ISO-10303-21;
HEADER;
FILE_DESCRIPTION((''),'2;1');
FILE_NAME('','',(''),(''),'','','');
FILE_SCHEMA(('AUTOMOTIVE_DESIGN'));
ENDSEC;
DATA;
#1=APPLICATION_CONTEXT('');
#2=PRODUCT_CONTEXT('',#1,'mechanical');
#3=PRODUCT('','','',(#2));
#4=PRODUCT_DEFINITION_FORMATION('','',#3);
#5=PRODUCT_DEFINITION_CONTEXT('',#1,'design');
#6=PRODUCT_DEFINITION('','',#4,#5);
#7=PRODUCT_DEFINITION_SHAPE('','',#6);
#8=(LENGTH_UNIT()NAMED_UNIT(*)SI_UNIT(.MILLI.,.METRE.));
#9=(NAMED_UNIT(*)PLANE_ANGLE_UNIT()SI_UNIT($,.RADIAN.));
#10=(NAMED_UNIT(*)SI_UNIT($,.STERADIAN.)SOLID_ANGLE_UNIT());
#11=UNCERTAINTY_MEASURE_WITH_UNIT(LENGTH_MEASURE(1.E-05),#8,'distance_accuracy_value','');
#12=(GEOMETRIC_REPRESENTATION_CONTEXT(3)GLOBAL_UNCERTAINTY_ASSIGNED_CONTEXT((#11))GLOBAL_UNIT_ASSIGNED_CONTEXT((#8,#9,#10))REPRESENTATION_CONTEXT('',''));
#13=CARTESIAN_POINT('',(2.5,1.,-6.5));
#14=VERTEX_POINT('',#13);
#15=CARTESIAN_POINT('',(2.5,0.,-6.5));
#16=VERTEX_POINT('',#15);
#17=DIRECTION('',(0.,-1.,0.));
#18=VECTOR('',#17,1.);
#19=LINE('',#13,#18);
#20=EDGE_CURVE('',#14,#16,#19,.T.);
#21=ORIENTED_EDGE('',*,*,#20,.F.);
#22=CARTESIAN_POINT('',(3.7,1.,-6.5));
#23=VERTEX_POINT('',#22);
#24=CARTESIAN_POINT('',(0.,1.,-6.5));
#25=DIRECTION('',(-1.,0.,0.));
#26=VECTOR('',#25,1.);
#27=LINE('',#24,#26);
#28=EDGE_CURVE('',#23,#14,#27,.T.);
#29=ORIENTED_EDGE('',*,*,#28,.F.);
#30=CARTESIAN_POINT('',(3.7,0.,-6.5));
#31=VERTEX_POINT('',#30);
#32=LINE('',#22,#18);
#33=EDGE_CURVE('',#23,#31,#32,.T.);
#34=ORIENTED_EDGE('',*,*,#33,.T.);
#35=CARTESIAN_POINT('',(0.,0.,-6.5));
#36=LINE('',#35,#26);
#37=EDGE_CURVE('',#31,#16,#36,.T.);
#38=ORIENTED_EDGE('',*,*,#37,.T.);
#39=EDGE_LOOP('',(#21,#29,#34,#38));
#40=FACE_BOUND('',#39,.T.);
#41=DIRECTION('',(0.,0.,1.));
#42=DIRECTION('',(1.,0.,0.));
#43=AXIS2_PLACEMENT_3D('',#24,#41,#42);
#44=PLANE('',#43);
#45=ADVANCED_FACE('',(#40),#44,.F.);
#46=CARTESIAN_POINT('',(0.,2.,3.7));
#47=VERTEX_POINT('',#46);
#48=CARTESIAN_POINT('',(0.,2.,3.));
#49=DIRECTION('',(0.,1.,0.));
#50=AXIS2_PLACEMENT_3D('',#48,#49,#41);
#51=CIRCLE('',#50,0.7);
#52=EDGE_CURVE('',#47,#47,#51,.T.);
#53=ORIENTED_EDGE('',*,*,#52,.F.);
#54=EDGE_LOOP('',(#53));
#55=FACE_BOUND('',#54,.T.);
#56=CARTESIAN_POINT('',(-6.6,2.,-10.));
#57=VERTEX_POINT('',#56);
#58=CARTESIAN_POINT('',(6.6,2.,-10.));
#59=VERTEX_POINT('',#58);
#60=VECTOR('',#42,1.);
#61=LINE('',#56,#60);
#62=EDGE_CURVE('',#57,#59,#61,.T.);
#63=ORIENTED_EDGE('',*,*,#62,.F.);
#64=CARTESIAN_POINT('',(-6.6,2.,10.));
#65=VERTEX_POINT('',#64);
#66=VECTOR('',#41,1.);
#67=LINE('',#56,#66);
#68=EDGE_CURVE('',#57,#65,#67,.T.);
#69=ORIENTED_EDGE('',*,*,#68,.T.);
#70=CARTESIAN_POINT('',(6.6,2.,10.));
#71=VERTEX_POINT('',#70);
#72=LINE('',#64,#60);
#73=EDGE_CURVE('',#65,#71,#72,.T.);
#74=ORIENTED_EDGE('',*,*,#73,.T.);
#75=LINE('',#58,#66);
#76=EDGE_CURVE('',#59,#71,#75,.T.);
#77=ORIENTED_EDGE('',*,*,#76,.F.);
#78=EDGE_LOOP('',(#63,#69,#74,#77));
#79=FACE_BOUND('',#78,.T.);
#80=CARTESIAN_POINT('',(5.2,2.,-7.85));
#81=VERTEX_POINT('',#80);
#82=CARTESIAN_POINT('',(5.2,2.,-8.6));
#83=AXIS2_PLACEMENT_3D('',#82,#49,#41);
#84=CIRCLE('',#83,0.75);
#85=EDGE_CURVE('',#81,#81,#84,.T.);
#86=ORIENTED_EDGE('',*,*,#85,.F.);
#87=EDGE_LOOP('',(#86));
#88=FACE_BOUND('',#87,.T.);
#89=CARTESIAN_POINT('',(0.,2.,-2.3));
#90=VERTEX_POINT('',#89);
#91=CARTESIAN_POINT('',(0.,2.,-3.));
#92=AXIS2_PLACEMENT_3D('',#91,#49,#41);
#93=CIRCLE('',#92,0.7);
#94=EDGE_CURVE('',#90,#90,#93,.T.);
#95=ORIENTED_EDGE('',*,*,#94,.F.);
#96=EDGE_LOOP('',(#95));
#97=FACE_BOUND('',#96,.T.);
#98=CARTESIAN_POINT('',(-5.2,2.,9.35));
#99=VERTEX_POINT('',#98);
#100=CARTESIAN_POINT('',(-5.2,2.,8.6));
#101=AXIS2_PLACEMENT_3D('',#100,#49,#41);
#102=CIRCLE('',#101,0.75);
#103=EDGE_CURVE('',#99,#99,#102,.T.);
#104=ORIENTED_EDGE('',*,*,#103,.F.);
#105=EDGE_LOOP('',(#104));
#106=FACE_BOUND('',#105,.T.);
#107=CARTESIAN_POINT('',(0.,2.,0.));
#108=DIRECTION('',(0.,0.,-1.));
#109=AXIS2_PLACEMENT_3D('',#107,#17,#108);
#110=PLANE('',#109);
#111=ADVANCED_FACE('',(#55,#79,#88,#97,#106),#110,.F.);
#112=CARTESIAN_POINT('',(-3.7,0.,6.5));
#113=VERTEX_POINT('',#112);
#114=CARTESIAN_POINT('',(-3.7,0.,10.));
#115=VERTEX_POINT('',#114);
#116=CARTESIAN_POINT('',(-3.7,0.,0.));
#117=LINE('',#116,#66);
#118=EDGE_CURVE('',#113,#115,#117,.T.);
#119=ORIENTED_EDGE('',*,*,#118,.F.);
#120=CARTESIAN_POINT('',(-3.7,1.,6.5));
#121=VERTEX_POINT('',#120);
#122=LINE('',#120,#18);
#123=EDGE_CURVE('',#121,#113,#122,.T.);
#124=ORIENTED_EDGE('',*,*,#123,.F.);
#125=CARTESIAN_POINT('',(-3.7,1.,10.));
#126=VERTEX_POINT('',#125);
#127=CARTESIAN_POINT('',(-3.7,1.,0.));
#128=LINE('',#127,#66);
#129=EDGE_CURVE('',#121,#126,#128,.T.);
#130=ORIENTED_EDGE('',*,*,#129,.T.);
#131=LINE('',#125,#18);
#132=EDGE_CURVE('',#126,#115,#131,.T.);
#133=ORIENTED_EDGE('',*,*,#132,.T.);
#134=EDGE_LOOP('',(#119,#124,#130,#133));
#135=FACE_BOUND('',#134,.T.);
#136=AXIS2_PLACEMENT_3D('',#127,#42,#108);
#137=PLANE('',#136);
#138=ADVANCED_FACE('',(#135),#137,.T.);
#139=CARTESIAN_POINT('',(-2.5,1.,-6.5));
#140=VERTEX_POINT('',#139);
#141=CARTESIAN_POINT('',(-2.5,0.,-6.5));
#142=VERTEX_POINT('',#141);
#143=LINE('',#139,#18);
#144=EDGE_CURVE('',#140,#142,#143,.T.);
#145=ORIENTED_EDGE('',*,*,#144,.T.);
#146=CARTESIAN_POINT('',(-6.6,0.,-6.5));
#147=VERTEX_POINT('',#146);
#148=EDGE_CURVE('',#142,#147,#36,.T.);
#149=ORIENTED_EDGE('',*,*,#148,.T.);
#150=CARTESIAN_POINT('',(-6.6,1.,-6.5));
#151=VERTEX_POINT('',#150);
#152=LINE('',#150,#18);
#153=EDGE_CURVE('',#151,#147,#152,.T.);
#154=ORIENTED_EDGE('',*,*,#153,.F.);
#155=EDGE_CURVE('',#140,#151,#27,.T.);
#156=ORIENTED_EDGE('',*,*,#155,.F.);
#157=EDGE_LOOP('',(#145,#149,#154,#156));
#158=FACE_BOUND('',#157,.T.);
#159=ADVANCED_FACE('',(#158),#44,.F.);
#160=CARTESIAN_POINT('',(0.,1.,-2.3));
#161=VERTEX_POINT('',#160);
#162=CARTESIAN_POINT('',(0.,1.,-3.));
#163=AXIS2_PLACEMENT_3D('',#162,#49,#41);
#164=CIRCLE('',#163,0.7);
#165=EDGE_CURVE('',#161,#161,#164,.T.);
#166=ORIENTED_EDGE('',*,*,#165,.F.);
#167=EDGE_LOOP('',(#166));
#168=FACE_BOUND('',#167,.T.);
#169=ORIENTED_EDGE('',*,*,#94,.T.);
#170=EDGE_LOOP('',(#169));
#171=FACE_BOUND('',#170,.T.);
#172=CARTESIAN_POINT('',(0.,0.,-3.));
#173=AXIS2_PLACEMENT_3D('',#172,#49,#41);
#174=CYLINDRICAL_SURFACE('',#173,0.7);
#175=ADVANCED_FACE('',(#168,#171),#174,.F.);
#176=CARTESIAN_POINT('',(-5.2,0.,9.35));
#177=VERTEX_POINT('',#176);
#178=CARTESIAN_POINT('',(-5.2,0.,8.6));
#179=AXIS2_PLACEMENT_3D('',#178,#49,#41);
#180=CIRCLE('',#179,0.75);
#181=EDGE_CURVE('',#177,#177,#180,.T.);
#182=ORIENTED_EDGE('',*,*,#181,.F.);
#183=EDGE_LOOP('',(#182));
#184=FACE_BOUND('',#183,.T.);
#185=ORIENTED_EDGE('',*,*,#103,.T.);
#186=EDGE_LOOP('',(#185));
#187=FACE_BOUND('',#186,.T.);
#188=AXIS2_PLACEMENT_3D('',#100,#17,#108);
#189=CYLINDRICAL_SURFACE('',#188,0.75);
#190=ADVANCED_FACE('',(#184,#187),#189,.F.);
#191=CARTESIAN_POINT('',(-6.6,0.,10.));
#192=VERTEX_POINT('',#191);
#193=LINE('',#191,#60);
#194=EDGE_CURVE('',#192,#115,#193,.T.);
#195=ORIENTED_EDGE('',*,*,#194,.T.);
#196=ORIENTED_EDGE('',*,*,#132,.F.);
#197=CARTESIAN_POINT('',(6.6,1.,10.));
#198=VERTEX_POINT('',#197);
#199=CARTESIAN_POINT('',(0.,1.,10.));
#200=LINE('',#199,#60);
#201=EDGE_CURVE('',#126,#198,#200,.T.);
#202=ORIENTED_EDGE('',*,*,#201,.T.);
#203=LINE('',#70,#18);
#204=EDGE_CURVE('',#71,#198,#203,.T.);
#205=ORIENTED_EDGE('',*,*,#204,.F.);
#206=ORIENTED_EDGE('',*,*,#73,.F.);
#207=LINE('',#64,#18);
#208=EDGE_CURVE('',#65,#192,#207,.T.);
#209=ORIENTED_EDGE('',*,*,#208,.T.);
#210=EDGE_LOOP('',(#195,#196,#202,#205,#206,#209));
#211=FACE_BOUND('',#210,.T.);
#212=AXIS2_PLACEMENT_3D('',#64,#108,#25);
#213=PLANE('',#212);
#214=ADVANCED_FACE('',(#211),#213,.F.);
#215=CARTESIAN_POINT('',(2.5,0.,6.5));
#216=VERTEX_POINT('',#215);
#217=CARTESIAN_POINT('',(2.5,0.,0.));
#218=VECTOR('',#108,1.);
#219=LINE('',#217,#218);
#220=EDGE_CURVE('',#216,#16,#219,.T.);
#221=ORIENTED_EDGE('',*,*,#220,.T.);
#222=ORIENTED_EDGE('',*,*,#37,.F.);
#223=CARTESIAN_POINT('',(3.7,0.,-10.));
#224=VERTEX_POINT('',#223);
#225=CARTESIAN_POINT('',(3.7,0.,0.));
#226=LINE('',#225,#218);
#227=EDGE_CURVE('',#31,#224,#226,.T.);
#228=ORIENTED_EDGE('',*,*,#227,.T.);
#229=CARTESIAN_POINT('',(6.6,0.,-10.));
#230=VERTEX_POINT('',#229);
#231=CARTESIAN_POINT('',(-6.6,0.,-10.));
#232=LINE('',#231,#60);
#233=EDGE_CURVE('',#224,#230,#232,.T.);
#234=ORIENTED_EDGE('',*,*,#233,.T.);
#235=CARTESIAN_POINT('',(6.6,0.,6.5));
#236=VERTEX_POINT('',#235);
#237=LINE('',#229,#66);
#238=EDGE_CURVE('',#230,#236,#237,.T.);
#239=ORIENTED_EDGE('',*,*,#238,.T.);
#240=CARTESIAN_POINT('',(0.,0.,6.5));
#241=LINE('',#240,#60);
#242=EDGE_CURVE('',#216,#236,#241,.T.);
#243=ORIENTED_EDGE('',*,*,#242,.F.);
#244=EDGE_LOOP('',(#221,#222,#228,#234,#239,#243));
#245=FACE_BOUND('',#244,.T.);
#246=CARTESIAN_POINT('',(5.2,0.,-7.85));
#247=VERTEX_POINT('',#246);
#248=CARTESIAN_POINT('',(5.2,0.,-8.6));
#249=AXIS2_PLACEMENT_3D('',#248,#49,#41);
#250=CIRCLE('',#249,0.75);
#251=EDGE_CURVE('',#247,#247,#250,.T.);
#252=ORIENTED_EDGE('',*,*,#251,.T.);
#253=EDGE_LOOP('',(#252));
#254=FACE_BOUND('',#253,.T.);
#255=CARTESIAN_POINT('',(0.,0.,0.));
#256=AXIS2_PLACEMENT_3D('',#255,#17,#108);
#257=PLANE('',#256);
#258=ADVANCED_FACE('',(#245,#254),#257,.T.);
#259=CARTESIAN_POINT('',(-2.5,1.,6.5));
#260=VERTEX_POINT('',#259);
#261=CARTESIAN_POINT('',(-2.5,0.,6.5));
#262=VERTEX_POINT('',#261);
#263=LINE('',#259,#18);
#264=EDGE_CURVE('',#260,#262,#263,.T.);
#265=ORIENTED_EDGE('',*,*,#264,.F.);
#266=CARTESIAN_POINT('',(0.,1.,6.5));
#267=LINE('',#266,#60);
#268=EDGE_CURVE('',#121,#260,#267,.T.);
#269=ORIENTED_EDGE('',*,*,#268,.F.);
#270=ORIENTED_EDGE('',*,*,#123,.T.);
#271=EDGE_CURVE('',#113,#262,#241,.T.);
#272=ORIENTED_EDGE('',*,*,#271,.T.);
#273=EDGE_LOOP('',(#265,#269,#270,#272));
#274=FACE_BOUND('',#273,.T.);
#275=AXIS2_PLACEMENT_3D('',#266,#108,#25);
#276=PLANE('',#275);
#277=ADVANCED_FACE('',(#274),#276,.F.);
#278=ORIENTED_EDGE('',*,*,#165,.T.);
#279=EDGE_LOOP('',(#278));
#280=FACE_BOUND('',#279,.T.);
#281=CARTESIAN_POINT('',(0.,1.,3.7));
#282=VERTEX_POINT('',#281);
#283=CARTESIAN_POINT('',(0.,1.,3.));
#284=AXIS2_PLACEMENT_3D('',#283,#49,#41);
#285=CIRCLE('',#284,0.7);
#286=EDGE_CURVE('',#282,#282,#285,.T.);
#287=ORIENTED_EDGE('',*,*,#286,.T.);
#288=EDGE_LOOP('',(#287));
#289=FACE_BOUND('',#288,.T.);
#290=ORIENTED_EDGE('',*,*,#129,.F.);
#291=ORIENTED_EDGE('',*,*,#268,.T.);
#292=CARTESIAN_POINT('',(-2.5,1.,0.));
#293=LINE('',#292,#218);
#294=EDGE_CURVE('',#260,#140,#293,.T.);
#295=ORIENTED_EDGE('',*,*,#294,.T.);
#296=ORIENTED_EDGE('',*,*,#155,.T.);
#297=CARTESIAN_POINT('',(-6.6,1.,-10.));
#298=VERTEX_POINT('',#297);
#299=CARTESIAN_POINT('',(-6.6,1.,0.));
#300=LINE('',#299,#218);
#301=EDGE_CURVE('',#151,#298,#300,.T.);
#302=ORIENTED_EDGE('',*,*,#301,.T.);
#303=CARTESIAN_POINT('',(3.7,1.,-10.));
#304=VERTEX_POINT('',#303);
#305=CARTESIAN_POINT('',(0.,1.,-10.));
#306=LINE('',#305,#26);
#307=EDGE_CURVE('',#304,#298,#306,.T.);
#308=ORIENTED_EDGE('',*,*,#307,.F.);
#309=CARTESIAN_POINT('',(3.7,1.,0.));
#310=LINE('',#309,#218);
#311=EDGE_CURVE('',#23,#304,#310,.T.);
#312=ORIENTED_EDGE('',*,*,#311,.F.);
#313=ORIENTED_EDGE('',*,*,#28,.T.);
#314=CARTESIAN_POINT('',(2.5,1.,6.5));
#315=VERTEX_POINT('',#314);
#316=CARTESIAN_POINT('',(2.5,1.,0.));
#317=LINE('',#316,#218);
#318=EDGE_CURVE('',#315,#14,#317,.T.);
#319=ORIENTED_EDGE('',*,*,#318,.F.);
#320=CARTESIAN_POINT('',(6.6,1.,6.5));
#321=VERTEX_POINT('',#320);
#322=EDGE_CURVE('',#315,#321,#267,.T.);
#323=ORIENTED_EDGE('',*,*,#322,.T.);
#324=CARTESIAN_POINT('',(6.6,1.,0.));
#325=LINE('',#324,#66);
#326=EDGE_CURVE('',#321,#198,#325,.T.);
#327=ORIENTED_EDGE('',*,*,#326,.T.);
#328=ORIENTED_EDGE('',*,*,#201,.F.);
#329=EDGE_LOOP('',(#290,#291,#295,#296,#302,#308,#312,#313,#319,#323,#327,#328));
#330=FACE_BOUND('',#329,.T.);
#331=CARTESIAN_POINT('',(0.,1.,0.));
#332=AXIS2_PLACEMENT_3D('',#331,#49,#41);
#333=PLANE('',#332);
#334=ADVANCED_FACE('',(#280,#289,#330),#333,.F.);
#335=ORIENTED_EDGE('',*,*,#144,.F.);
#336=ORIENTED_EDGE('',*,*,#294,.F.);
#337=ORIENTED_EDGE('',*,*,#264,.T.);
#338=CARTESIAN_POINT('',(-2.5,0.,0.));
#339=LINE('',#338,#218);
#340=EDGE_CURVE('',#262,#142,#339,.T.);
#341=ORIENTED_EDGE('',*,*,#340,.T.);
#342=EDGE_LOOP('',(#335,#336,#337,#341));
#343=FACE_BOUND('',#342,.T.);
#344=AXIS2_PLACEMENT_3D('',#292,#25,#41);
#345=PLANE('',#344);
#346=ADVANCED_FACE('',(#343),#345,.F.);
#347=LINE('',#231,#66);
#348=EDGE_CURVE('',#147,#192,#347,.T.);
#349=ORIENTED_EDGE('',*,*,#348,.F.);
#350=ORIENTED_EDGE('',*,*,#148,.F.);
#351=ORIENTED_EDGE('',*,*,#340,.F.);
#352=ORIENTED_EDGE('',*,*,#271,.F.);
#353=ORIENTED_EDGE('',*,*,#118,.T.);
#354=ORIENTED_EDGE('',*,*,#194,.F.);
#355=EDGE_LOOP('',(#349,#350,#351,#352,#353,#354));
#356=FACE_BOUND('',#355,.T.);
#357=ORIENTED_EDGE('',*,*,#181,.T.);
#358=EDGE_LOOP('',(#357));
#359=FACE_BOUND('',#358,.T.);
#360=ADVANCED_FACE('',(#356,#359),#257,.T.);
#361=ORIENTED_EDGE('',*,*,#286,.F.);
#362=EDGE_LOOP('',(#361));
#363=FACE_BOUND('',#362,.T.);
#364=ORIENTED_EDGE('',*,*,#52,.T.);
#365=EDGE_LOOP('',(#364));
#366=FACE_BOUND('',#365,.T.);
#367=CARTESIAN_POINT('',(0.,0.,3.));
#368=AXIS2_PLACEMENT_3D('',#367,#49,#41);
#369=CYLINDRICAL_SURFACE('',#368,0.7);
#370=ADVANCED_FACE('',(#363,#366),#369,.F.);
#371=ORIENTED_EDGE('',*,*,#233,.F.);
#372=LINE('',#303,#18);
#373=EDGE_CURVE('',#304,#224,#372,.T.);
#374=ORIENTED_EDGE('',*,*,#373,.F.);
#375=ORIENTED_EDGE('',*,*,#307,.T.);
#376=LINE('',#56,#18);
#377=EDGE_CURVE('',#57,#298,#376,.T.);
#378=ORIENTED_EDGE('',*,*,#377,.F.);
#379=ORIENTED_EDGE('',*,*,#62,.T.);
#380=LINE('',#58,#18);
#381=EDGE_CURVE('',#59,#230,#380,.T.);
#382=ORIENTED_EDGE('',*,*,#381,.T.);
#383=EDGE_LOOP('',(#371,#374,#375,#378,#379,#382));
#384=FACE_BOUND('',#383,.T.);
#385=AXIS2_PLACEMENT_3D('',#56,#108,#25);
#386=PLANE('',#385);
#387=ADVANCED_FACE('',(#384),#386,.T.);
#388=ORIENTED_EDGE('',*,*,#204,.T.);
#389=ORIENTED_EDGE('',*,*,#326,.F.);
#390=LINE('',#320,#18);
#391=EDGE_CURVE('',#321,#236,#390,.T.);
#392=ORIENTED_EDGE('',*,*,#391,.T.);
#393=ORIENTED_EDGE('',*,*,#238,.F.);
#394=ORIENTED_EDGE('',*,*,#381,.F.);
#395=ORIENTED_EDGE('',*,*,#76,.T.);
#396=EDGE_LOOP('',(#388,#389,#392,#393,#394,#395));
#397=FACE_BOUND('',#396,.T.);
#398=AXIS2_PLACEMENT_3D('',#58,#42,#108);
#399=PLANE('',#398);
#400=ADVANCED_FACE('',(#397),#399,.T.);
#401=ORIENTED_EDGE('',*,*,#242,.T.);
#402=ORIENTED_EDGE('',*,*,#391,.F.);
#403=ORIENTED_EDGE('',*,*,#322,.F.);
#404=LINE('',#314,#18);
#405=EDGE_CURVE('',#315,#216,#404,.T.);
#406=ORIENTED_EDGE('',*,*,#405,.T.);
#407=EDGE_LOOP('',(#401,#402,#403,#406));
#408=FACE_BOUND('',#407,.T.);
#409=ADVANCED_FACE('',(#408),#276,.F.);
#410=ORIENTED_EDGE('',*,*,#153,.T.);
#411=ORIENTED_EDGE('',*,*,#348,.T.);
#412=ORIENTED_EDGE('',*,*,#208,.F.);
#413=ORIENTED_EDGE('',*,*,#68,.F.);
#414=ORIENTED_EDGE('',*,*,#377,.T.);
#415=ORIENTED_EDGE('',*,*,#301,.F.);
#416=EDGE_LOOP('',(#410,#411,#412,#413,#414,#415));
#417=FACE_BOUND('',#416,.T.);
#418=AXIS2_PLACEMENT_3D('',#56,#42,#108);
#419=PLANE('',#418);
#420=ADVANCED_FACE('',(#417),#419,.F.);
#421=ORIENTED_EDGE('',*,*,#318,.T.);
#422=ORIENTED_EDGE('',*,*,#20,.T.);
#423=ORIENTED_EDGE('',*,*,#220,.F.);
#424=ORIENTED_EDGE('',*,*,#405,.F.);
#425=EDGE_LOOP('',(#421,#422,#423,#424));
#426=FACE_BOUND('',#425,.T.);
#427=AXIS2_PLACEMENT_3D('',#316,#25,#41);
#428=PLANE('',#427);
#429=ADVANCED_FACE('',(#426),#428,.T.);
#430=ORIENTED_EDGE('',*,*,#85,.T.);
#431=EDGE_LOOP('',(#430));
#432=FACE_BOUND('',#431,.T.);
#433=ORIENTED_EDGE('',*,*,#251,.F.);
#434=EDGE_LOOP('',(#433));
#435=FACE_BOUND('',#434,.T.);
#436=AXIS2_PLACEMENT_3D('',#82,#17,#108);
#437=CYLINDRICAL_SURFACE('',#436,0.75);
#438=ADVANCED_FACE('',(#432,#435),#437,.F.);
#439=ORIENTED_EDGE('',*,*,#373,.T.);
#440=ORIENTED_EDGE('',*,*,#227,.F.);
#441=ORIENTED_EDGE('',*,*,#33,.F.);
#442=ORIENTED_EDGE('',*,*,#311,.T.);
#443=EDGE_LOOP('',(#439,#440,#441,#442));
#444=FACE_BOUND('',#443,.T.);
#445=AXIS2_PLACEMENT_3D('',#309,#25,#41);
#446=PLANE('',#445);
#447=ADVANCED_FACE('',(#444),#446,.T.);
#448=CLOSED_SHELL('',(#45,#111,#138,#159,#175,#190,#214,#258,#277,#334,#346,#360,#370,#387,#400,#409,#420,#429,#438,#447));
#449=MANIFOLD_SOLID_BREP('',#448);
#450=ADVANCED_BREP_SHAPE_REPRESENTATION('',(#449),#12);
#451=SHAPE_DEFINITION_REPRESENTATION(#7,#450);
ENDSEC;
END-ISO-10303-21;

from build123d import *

# Parameters (mm, degrees)
SKETCH_1_W          = 13.2
SKETCH_1_H          = 20
EXTRUDE_1_DEPTH     = 2
SKETCH_1_3_R        = 0.75
CUT_EXTRUDE_2_DEPTH = 13.147427711
CUT_EXTRUDE_START   = -2
CUT_EXTRUDE_1_DEPTH = 1
SKETCH_2_4_R        = 0.7
CUT_EXTRUDE_3_DEPTH = 13.147427711


with BuildPart() as part:
    # 草图1 → 凸台-拉伸1 (new body)
    with BuildSketch(Plane(origin=(0, 0, 0), x_dir=(1, 0, 0), z_dir=(0, 1, 0))):
        Rectangle(SKETCH_1_W, SKETCH_1_H)
    extrude(amount=EXTRUDE_1_DEPTH)

    # 草图1<3> → 切除-拉伸2 (cut, through all)
    with BuildSketch(Plane(origin=(0, 0, 0), x_dir=(1, 0, 0), z_dir=(0, 1, 0))):
        with Locations(Location((-5.2, -8.6, 0), (0, 0, 270))):
            Circle(SKETCH_1_3_R)
        with Locations(Location((5.2, 8.6, 0), (0, 0, 270))):
            Circle(SKETCH_1_3_R)
    extrude(amount=CUT_EXTRUDE_2_DEPTH, mode=Mode.SUBTRACT)

    # 草图2 → 切除-拉伸1 (cut)
    with BuildSketch(Plane(origin=(0, 2, 0), x_dir=(1, 0, 0), z_dir=(0, 1, 0)).offset(CUT_EXTRUDE_START)):
        Polygon((3.7, 10), (-6.6, 10), (-6.6, 6.5), (-2.5, 6.5), (-2.5, -6.5), (-3.7, -6.5), (-3.7, -10), (6.6, -10), (6.6, -6.5), (2.5, -6.5), (2.5, 6.5), (3.7, 6.5), align=None)
    extrude(amount=CUT_EXTRUDE_1_DEPTH, mode=Mode.SUBTRACT)

    # 草图2<4> → 切除-拉伸3 (cut, through all)
    with BuildSketch(Plane(origin=(0, 2, 0), x_dir=(1, 0, 0), z_dir=(0, 1, 0))):
        with Locations(Location((0, 3, 0), (0, 0, 270))):
            Circle(SKETCH_2_4_R)
        with Locations(Location((0, -3, 0), (0, 0, 270))):
            Circle(SKETCH_2_4_R)
    extrude(amount=-CUT_EXTRUDE_3_DEPTH, mode=Mode.SUBTRACT)


solid = part.part
